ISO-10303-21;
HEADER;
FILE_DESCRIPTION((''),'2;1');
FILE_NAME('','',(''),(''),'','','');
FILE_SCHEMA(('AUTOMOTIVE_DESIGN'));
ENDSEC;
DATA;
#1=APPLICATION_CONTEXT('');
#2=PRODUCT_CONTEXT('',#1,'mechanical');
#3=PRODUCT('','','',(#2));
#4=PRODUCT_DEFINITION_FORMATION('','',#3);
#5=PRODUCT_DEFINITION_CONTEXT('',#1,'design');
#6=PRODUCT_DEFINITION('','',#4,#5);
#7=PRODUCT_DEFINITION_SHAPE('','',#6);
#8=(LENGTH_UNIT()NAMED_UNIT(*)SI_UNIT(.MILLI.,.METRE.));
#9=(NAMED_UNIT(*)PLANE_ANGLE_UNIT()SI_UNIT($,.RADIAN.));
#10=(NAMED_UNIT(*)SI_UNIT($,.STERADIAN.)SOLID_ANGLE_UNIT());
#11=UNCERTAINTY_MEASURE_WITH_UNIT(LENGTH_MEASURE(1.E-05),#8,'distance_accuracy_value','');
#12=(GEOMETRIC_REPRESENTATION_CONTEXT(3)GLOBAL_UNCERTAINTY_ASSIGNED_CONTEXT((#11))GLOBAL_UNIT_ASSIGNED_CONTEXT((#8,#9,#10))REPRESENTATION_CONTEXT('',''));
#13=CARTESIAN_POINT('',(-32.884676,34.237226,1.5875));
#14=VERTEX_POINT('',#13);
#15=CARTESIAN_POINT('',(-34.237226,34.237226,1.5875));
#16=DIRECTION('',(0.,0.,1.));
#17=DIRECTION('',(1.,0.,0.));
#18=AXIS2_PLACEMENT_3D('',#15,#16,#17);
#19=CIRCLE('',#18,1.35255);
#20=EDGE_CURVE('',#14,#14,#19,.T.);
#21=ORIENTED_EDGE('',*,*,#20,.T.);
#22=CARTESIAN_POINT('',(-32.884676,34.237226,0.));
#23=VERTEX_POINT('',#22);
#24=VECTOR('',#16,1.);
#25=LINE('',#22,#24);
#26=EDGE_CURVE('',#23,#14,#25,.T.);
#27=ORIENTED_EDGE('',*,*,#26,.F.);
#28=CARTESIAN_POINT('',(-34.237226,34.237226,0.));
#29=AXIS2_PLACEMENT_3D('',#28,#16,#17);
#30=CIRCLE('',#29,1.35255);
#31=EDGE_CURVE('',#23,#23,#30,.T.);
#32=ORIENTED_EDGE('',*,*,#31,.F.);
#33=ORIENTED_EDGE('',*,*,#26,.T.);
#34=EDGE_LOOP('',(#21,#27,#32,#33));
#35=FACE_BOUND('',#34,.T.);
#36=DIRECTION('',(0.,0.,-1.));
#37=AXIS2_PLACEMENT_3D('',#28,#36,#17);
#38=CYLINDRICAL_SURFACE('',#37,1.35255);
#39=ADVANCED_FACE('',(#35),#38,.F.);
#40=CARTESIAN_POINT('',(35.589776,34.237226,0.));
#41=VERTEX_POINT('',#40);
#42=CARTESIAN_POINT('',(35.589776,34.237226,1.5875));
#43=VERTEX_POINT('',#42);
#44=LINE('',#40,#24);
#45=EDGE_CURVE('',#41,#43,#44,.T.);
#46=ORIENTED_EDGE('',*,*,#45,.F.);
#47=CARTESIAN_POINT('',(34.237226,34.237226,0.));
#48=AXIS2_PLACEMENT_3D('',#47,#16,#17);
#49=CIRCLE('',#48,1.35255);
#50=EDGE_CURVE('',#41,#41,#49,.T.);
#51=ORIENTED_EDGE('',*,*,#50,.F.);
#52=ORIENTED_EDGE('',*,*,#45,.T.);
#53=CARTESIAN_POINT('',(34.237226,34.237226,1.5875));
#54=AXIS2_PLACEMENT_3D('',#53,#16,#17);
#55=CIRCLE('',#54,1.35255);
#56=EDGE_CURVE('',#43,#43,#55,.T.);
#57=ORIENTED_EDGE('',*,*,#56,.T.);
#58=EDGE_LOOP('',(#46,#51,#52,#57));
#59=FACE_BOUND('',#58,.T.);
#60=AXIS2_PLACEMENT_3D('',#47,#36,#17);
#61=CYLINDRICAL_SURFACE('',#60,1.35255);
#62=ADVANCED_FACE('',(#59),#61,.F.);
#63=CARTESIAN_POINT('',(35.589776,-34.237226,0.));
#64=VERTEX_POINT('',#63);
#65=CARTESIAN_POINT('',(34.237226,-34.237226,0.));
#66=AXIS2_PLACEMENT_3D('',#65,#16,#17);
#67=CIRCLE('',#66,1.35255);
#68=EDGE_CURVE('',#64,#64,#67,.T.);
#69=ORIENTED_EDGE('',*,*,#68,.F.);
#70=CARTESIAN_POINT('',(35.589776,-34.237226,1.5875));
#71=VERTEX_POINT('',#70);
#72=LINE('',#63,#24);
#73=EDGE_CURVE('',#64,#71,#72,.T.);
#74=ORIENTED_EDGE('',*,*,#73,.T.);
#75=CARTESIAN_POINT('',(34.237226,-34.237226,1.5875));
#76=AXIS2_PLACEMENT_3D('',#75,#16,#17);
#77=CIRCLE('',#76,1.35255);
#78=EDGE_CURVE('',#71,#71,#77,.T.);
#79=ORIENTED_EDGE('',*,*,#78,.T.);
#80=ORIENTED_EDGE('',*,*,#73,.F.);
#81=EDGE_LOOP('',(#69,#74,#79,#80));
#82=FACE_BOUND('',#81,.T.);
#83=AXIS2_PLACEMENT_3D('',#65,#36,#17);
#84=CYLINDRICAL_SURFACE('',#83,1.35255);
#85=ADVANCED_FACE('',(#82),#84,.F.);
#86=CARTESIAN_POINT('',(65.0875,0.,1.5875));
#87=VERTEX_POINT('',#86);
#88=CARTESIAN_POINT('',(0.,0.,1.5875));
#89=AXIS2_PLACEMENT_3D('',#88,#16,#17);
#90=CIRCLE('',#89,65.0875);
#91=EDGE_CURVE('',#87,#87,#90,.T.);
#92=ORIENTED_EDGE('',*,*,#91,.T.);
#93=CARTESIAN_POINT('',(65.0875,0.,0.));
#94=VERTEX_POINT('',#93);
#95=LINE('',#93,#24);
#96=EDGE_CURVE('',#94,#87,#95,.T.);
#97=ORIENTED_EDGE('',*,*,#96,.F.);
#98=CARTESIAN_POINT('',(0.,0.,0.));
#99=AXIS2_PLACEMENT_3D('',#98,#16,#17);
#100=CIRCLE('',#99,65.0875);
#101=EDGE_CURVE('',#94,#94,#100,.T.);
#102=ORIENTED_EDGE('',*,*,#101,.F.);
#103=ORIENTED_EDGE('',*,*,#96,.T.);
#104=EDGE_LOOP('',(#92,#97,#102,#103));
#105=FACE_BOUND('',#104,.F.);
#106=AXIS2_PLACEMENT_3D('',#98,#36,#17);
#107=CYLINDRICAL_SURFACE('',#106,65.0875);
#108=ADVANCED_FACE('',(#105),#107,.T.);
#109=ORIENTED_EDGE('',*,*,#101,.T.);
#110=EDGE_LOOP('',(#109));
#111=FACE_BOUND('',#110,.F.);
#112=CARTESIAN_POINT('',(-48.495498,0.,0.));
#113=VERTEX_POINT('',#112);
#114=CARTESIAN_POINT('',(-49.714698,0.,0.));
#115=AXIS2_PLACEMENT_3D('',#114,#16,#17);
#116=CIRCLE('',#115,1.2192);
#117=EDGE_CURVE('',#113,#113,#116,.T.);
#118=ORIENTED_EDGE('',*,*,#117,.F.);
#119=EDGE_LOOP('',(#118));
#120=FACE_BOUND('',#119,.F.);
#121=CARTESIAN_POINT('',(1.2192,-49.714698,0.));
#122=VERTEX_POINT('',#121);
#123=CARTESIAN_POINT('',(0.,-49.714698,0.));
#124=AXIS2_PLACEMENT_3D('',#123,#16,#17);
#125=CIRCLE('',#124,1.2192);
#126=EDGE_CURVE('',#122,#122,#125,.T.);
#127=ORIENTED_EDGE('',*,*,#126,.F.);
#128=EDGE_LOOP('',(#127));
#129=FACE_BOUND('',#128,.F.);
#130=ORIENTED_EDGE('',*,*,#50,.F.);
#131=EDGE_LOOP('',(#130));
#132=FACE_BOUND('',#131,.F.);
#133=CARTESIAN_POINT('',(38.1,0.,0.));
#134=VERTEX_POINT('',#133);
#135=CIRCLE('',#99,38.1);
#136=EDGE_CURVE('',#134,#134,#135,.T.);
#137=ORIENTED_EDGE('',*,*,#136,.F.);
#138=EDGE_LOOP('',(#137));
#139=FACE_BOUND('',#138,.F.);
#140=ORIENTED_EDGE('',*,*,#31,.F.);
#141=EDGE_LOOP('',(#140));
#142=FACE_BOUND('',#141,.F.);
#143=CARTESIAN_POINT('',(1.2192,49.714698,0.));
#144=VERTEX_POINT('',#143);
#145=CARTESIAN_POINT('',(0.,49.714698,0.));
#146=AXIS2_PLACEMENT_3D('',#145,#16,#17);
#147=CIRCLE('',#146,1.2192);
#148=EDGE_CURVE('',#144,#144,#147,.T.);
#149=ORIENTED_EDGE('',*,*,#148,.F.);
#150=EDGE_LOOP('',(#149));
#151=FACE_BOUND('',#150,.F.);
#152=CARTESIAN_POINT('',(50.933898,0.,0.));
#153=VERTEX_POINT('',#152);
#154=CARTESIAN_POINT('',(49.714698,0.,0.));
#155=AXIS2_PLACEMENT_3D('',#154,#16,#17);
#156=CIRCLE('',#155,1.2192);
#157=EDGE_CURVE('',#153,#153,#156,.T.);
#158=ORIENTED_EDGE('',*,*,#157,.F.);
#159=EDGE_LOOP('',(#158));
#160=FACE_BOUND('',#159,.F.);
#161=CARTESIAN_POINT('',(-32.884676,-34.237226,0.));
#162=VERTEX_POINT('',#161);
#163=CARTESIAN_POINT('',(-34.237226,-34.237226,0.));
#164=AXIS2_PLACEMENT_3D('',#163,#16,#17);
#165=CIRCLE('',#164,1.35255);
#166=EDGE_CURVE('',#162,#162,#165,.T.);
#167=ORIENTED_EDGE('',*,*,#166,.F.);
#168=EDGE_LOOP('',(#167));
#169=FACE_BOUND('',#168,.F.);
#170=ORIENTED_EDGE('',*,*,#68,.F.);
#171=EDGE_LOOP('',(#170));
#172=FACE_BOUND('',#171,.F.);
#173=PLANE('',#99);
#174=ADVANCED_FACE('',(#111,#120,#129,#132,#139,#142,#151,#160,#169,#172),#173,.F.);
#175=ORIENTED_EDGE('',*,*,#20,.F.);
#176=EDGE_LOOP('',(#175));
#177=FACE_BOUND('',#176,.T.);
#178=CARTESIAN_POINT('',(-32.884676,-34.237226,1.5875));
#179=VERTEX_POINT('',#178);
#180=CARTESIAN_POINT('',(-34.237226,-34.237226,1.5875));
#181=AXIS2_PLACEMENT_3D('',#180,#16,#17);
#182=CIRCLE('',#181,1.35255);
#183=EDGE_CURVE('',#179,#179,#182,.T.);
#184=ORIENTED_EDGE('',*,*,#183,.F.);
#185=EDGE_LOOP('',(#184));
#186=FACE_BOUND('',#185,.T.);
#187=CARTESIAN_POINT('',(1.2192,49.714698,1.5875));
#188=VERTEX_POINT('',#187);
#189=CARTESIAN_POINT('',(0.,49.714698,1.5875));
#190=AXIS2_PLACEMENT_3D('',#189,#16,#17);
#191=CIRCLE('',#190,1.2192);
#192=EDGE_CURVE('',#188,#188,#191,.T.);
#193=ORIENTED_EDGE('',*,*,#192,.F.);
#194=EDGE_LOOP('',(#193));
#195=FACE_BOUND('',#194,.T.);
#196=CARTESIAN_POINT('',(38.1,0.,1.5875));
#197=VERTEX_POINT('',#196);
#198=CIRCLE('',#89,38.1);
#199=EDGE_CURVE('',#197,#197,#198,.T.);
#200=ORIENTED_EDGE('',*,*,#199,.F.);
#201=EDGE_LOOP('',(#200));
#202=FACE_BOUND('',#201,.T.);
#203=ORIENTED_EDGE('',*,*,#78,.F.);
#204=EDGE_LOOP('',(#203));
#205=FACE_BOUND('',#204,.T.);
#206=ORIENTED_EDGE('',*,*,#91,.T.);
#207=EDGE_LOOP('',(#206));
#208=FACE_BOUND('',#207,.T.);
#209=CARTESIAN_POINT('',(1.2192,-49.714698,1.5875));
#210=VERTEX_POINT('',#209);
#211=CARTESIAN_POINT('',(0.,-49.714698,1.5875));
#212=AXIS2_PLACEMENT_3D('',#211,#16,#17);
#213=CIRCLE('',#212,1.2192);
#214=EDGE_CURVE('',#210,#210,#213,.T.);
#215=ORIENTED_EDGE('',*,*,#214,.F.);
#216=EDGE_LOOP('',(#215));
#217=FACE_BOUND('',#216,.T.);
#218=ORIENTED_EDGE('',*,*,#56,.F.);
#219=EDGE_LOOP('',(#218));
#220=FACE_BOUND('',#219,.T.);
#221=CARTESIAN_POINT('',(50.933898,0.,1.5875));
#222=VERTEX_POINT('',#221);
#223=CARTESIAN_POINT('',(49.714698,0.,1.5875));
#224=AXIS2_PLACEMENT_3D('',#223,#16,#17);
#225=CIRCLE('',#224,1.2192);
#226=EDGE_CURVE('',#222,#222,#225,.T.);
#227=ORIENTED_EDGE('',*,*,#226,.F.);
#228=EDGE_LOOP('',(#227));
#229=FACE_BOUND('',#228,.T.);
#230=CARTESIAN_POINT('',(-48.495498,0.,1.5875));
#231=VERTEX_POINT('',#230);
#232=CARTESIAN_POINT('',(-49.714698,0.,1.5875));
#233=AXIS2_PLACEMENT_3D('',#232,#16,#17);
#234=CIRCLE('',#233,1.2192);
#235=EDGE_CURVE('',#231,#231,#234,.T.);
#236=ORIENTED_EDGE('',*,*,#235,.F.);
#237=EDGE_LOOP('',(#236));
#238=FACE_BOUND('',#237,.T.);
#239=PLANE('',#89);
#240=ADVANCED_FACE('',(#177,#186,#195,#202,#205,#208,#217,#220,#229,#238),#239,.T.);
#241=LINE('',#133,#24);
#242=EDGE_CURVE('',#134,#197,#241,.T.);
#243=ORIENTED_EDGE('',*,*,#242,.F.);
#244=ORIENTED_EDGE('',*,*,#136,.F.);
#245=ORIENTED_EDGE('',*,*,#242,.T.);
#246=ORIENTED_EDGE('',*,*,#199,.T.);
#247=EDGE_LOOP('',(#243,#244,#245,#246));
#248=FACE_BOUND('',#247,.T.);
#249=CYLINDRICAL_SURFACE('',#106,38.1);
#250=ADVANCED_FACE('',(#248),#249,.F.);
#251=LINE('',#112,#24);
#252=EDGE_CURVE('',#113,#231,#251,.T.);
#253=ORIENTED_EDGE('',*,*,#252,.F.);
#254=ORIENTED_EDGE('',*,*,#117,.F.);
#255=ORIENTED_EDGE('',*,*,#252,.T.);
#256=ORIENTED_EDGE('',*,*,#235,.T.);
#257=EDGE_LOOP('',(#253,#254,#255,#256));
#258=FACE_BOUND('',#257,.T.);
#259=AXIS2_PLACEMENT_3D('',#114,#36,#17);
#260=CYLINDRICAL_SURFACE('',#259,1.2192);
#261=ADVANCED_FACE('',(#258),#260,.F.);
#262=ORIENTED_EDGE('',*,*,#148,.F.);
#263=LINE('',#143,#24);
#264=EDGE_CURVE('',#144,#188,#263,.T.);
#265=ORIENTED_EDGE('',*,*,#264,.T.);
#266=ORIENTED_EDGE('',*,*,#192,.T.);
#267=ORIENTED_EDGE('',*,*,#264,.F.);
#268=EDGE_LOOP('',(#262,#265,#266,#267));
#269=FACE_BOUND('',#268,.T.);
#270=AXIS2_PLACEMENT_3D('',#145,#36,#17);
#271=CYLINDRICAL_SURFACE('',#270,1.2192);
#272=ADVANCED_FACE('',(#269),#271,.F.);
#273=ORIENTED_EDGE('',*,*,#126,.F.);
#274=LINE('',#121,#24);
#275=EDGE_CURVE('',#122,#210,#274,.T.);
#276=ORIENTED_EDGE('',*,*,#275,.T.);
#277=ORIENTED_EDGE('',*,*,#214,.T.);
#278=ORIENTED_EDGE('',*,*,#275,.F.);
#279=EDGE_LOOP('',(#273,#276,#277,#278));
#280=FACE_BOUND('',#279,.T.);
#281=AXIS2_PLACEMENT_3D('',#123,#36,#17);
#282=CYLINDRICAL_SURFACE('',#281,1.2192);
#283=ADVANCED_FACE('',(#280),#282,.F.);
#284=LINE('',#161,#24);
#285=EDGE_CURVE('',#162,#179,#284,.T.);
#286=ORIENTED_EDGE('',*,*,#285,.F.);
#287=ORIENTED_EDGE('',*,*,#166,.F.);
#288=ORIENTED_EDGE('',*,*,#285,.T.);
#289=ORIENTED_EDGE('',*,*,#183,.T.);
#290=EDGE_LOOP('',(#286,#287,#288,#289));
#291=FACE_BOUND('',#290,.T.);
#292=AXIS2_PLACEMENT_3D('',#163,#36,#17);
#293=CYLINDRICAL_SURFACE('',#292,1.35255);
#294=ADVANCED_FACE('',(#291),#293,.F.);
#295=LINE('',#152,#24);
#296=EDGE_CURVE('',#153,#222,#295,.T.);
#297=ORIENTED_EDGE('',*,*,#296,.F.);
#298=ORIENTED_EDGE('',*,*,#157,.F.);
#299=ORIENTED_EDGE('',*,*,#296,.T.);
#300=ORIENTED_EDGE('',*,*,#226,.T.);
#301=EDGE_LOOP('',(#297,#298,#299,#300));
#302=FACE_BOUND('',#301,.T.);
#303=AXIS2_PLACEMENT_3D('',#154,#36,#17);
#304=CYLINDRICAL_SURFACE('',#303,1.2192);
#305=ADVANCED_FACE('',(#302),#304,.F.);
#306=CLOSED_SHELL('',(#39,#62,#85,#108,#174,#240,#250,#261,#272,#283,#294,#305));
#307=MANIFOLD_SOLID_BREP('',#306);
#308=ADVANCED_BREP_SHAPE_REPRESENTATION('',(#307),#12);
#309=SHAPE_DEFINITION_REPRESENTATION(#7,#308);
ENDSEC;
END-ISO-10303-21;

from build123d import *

# Parameters (mm, degrees)
F0_R     = 65.0875
F0_R_2   = 1.35255
F0_R_3   = 1.2192
F0_R_4   = 38.1
F1_DEPTH = 1.5875


with BuildPart() as f1:
    # F0 (on Top) → F1 (new body)
    with BuildSketch(Plane.XY):
        Circle(F0_R)
        with Locations((-34.237226, -34.237226)):
            Circle(F0_R_2, mode=Mode.SUBTRACT)
        with Locations((0, -49.714698)):
            Circle(F0_R_3, mode=Mode.SUBTRACT)
        with Locations((34.237226, -34.237226)):
            Circle(F0_R_2, mode=Mode.SUBTRACT)
        with Locations((-49.714698, 0)):
            Circle(F0_R_3, mode=Mode.SUBTRACT)
        with Locations((-34.237226, 34.237226)):
            Circle(F0_R_2, mode=Mode.SUBTRACT)
        Circle(F0_R_4, mode=Mode.SUBTRACT)
        with Locations((49.714698, 0)):
            Circle(F0_R_3, mode=Mode.SUBTRACT)
        with Locations((0, 49.714698)):
            Circle(F0_R_3, mode=Mode.SUBTRACT)
        with Locations((34.237226, 34.237226)):
            Circle(F0_R_2, mode=Mode.SUBTRACT)
    extrude(amount=F1_DEPTH)


solid = f1.part
